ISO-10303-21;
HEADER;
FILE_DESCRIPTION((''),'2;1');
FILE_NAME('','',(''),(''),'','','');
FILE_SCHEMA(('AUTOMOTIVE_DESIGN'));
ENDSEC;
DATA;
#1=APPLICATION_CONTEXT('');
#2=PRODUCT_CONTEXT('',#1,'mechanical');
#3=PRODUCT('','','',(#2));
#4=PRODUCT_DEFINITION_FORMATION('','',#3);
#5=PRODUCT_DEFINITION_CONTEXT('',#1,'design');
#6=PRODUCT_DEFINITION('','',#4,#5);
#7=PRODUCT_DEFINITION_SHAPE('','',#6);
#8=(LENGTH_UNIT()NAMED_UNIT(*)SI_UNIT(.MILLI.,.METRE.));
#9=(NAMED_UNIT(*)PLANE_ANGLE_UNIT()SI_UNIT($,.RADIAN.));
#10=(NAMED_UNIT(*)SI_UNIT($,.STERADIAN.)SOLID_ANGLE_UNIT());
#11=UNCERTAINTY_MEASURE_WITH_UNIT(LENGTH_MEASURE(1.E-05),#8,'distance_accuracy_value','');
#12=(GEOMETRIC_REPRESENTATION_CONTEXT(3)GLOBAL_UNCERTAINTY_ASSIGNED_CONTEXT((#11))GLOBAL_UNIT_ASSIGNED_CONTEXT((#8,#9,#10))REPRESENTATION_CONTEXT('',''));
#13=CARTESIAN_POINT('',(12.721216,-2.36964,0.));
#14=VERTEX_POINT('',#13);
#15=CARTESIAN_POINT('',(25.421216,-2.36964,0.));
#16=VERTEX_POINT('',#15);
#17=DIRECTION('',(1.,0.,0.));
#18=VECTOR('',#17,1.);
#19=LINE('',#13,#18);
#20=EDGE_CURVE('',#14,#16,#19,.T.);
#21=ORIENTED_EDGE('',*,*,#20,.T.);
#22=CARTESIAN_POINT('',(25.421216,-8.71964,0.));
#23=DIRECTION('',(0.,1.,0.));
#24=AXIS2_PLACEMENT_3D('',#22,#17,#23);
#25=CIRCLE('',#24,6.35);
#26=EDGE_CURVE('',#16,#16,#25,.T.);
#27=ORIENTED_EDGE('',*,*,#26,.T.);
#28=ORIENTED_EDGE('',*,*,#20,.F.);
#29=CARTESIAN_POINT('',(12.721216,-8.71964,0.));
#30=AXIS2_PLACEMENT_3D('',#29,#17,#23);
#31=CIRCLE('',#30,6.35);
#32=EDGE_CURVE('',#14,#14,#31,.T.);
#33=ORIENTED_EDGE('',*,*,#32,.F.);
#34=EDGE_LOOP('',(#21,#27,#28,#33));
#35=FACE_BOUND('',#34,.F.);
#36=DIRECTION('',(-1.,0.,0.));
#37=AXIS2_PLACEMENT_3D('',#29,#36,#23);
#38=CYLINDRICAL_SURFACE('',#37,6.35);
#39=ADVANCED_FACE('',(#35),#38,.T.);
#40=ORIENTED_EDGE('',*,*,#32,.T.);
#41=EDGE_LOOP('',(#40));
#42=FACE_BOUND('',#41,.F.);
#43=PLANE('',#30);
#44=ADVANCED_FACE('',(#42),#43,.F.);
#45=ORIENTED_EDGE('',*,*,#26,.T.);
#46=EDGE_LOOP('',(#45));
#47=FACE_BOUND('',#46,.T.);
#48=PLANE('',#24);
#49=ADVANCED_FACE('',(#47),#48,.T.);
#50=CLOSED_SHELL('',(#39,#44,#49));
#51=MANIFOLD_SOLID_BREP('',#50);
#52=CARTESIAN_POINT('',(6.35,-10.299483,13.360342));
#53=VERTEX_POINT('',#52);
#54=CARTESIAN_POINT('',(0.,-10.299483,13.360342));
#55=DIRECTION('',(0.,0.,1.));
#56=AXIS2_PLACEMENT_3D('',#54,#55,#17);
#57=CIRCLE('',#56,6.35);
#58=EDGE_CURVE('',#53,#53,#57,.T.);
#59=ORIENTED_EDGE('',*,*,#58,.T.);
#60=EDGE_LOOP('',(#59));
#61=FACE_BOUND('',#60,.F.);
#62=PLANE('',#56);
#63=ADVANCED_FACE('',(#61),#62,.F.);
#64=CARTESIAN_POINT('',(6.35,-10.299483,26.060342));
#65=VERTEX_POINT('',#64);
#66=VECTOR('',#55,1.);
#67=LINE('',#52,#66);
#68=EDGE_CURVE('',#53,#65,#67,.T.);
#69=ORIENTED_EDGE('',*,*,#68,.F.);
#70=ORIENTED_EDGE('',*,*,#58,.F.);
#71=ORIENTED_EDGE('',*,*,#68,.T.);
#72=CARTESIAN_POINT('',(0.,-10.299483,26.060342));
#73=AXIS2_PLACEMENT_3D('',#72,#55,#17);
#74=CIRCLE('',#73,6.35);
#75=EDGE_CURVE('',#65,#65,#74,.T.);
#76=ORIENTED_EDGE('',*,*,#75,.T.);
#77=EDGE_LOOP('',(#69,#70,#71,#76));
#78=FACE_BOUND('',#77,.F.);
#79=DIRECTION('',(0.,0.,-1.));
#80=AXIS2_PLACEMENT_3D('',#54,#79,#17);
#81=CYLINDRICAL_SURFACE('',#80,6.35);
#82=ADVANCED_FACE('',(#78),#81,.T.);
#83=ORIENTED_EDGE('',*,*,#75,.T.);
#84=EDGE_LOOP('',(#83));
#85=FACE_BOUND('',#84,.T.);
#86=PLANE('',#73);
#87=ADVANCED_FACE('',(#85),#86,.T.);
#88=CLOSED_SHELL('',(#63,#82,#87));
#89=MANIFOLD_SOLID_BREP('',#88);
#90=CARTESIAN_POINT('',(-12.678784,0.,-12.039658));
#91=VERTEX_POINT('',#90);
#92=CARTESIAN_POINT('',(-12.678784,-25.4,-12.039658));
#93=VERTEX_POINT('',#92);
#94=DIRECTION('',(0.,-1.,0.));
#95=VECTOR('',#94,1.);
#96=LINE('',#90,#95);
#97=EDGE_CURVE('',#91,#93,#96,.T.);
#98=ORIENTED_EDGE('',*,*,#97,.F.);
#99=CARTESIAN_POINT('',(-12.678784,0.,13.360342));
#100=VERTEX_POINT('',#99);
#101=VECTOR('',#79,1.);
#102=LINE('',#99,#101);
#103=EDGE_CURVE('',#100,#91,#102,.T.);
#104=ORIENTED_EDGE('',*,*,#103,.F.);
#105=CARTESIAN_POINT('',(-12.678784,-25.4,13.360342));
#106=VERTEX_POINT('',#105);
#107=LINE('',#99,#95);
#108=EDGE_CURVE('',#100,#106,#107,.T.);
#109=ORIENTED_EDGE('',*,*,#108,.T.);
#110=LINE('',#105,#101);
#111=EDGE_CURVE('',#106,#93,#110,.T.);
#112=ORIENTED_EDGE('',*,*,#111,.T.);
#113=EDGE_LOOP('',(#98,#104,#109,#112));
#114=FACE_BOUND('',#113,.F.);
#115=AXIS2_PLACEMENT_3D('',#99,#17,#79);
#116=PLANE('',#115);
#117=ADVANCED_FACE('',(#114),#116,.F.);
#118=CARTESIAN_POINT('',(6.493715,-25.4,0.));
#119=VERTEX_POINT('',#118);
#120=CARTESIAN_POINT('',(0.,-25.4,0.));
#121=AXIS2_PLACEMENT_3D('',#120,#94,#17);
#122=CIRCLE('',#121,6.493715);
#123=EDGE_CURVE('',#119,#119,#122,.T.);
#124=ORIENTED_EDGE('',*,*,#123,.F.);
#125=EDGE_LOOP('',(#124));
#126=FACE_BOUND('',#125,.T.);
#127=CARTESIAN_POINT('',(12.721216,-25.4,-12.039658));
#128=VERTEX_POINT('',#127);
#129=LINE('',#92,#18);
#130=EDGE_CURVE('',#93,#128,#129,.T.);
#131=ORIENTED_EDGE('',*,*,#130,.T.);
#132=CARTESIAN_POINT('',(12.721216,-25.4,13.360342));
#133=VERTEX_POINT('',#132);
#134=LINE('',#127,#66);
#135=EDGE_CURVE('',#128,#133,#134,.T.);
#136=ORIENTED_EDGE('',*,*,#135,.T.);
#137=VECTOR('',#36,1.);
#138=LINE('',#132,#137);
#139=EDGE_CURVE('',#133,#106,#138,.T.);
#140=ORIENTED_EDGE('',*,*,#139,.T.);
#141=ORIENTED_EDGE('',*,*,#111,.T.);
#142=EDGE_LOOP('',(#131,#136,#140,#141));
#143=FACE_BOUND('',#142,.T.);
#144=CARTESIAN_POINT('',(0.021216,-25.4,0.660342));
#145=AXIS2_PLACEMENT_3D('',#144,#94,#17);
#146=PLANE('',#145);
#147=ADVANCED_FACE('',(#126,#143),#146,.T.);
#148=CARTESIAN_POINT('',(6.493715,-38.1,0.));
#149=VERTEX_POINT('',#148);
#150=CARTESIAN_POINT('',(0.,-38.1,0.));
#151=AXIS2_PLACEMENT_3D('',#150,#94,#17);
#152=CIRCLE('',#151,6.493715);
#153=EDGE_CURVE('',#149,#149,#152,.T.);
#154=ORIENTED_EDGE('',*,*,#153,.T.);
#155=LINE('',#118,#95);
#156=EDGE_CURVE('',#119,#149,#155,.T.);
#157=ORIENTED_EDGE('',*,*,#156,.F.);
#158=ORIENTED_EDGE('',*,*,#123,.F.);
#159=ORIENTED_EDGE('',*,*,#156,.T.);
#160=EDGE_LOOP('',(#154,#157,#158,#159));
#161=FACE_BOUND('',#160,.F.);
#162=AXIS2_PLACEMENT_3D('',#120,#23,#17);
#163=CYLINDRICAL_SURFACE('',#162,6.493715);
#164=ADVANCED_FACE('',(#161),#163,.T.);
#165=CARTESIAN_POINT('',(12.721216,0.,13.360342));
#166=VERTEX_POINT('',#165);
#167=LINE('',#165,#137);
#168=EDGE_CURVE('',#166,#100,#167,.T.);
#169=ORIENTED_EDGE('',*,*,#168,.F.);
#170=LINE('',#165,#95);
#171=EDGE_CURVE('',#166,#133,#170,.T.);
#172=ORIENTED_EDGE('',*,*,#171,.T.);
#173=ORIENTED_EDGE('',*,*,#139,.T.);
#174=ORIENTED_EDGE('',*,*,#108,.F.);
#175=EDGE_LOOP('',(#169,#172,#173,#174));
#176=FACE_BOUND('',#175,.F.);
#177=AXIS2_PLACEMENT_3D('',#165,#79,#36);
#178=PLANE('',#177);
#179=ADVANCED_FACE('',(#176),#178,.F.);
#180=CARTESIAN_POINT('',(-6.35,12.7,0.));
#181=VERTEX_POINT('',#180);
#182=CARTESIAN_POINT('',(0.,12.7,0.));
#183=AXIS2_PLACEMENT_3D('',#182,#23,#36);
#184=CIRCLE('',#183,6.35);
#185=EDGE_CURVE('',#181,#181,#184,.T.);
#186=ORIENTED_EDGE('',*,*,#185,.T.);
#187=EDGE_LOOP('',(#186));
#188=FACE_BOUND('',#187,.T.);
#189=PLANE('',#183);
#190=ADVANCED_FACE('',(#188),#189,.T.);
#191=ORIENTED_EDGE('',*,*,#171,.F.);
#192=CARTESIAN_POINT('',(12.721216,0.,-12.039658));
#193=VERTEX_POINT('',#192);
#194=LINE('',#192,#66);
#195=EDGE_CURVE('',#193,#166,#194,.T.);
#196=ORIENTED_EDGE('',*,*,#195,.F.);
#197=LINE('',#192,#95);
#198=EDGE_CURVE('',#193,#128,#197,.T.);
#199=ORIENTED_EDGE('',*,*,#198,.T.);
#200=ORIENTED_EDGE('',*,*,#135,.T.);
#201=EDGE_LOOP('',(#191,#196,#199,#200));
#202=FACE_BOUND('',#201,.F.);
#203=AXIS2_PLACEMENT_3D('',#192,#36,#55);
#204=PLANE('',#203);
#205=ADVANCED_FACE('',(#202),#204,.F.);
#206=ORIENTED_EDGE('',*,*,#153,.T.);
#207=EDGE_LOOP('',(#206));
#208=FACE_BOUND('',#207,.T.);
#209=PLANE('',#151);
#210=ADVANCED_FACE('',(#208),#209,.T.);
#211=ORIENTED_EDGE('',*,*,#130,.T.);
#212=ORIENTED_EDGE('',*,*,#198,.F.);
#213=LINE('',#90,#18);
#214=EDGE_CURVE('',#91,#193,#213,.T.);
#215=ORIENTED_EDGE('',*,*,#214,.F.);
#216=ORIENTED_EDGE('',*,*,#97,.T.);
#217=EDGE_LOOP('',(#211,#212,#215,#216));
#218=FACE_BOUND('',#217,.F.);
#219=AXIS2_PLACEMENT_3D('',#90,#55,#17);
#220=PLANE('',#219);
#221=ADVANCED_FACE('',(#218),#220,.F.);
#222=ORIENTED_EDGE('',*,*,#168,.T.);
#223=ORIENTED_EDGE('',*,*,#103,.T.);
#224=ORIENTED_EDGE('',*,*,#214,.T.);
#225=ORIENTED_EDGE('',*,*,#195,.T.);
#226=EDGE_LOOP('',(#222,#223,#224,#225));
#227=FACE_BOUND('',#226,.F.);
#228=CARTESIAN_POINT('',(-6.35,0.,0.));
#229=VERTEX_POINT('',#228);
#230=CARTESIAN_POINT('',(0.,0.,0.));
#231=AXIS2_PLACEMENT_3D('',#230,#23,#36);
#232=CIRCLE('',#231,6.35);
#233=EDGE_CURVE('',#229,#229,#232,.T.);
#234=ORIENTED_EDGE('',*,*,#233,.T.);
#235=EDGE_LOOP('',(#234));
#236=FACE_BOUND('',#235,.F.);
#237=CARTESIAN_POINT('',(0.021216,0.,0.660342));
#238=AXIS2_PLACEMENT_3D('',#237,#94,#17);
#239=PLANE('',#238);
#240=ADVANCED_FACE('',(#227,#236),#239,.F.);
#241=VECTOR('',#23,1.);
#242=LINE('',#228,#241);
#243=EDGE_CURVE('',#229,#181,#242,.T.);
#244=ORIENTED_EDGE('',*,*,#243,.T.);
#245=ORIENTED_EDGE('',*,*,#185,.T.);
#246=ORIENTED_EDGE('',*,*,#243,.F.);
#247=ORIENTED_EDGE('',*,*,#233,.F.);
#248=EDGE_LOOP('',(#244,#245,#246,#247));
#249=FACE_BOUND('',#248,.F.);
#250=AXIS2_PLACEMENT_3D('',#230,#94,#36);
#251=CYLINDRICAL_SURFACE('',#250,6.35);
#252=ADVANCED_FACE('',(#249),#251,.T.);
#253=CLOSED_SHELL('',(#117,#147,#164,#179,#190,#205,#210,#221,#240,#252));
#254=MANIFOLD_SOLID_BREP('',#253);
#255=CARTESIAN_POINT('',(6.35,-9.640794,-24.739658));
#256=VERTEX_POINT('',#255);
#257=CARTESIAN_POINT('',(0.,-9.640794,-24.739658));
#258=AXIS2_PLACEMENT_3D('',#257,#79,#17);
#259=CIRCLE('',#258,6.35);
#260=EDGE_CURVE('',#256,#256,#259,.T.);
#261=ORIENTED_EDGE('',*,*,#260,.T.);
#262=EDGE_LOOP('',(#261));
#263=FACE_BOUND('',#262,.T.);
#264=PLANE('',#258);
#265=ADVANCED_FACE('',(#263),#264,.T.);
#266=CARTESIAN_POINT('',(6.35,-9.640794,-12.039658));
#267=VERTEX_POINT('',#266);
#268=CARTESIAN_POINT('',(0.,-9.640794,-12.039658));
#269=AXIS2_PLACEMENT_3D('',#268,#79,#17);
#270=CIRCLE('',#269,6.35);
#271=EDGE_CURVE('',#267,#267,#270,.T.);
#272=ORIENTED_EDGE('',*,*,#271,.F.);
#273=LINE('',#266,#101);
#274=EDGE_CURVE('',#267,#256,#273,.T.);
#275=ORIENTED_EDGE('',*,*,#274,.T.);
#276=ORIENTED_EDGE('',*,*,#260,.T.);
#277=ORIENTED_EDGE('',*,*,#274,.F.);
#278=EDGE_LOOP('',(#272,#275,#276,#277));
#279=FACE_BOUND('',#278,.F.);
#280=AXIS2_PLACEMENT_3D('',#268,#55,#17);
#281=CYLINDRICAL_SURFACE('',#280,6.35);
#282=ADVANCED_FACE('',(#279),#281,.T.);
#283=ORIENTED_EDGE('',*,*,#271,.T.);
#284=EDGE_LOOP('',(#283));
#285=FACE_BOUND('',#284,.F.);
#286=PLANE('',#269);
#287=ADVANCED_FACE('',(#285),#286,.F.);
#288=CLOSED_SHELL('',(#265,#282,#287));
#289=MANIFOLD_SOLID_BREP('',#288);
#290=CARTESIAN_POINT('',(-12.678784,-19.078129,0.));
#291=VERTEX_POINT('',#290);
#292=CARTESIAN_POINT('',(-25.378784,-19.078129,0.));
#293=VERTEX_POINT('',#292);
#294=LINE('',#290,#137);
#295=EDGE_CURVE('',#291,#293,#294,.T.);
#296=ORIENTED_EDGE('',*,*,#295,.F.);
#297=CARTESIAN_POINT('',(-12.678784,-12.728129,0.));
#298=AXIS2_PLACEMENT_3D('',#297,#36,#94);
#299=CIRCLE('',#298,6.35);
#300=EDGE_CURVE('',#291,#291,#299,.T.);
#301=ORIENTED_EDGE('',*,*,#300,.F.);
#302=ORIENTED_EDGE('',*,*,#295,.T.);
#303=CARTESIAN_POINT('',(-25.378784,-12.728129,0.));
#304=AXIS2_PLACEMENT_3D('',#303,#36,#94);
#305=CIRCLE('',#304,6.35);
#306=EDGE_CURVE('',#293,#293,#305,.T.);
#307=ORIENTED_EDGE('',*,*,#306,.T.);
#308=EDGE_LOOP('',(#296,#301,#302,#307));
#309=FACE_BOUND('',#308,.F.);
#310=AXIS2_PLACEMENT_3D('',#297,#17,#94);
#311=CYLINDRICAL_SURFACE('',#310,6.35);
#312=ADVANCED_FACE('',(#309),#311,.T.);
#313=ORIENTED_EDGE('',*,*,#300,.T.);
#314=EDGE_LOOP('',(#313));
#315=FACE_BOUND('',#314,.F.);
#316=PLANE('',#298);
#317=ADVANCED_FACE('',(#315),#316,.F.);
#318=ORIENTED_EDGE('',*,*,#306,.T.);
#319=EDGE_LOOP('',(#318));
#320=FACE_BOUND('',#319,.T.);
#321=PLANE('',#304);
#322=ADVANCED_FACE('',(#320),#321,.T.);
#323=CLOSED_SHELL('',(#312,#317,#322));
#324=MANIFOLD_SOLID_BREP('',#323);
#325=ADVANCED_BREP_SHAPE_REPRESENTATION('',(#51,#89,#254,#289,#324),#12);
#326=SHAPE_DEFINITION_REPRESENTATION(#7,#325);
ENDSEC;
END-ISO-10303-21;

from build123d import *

# Parameters (mm, degrees)
F1_DEPTH  = 25.4
F3_R      = 6.35
F4_DEPTH  = 12.7
F2_R      = 6.493715
F5_DEPTH  = 12.7
F6_R      = 6.35
F7_DEPTH  = 12.7
F8_R      = 6.35
F9_DEPTH  = 12.7
F10_R     = 6.35
F11_DEPTH = 12.7
F12_R     = 6.35
F13_DEPTH = 12.7


with BuildPart() as f1:
    # F0 (on Front) → F1 (new body)
    with BuildSketch(Plane.XZ):
        Polygon((12.721216, 13.360342), (-12.678784, 13.360342), (-12.678784, 11.51153), (-12.678784, -12.039658), (12.721216, -12.039658), align=None)
    extrude(amount=F1_DEPTH)

    # F3 (on face) → F4 (join)
    with BuildSketch(Plane(origin=(0, 0, 0), x_dir=(-1, 0, 0), z_dir=(0, 1, 0))):
        Circle(F3_R)
    extrude(amount=F4_DEPTH)

    # F2 (on face) → F5 (join)
    with BuildSketch(Plane.XZ.offset(25.4)):
        Circle(F2_R)
    extrude(amount=F5_DEPTH)


with BuildPart() as f7:
    # F6 (on face) → F7 (new body)
    with BuildSketch(Plane.XY.offset(13.360342)):
        with Locations((0, -10.299483)):
            Circle(F6_R)
    extrude(amount=F7_DEPTH)


with BuildPart() as f9:
    # F8 (on face) → F9 (new body)
    with BuildSketch(Plane(origin=(-12.678784, 0, 0), x_dir=(0, -1, 0), z_dir=(-1, 0, 0))):
        with Locations((12.728129, 0)):
            Circle(F8_R)
    extrude(amount=F9_DEPTH)


with BuildPart() as f11:
    # F10 (on face) → F11 (new body)
    with BuildSketch(Plane(origin=(0, 0, -12.039658), x_dir=(1, 0, 0), z_dir=(0, 0, -1))):
        with Locations((0, 9.640794)):
            Circle(F10_R)
    extrude(amount=F11_DEPTH)


with BuildPart() as f13:
    # F12 (on face) → F13 (new body)
    with BuildSketch(Plane.YZ.offset(12.721216)):
        with Locations((-8.71964, 0)):
            Circle(F12_R)
    extrude(amount=F13_DEPTH)


solid = Compound([f1.part, f7.part, f9.part, f11.part, f13.part])
